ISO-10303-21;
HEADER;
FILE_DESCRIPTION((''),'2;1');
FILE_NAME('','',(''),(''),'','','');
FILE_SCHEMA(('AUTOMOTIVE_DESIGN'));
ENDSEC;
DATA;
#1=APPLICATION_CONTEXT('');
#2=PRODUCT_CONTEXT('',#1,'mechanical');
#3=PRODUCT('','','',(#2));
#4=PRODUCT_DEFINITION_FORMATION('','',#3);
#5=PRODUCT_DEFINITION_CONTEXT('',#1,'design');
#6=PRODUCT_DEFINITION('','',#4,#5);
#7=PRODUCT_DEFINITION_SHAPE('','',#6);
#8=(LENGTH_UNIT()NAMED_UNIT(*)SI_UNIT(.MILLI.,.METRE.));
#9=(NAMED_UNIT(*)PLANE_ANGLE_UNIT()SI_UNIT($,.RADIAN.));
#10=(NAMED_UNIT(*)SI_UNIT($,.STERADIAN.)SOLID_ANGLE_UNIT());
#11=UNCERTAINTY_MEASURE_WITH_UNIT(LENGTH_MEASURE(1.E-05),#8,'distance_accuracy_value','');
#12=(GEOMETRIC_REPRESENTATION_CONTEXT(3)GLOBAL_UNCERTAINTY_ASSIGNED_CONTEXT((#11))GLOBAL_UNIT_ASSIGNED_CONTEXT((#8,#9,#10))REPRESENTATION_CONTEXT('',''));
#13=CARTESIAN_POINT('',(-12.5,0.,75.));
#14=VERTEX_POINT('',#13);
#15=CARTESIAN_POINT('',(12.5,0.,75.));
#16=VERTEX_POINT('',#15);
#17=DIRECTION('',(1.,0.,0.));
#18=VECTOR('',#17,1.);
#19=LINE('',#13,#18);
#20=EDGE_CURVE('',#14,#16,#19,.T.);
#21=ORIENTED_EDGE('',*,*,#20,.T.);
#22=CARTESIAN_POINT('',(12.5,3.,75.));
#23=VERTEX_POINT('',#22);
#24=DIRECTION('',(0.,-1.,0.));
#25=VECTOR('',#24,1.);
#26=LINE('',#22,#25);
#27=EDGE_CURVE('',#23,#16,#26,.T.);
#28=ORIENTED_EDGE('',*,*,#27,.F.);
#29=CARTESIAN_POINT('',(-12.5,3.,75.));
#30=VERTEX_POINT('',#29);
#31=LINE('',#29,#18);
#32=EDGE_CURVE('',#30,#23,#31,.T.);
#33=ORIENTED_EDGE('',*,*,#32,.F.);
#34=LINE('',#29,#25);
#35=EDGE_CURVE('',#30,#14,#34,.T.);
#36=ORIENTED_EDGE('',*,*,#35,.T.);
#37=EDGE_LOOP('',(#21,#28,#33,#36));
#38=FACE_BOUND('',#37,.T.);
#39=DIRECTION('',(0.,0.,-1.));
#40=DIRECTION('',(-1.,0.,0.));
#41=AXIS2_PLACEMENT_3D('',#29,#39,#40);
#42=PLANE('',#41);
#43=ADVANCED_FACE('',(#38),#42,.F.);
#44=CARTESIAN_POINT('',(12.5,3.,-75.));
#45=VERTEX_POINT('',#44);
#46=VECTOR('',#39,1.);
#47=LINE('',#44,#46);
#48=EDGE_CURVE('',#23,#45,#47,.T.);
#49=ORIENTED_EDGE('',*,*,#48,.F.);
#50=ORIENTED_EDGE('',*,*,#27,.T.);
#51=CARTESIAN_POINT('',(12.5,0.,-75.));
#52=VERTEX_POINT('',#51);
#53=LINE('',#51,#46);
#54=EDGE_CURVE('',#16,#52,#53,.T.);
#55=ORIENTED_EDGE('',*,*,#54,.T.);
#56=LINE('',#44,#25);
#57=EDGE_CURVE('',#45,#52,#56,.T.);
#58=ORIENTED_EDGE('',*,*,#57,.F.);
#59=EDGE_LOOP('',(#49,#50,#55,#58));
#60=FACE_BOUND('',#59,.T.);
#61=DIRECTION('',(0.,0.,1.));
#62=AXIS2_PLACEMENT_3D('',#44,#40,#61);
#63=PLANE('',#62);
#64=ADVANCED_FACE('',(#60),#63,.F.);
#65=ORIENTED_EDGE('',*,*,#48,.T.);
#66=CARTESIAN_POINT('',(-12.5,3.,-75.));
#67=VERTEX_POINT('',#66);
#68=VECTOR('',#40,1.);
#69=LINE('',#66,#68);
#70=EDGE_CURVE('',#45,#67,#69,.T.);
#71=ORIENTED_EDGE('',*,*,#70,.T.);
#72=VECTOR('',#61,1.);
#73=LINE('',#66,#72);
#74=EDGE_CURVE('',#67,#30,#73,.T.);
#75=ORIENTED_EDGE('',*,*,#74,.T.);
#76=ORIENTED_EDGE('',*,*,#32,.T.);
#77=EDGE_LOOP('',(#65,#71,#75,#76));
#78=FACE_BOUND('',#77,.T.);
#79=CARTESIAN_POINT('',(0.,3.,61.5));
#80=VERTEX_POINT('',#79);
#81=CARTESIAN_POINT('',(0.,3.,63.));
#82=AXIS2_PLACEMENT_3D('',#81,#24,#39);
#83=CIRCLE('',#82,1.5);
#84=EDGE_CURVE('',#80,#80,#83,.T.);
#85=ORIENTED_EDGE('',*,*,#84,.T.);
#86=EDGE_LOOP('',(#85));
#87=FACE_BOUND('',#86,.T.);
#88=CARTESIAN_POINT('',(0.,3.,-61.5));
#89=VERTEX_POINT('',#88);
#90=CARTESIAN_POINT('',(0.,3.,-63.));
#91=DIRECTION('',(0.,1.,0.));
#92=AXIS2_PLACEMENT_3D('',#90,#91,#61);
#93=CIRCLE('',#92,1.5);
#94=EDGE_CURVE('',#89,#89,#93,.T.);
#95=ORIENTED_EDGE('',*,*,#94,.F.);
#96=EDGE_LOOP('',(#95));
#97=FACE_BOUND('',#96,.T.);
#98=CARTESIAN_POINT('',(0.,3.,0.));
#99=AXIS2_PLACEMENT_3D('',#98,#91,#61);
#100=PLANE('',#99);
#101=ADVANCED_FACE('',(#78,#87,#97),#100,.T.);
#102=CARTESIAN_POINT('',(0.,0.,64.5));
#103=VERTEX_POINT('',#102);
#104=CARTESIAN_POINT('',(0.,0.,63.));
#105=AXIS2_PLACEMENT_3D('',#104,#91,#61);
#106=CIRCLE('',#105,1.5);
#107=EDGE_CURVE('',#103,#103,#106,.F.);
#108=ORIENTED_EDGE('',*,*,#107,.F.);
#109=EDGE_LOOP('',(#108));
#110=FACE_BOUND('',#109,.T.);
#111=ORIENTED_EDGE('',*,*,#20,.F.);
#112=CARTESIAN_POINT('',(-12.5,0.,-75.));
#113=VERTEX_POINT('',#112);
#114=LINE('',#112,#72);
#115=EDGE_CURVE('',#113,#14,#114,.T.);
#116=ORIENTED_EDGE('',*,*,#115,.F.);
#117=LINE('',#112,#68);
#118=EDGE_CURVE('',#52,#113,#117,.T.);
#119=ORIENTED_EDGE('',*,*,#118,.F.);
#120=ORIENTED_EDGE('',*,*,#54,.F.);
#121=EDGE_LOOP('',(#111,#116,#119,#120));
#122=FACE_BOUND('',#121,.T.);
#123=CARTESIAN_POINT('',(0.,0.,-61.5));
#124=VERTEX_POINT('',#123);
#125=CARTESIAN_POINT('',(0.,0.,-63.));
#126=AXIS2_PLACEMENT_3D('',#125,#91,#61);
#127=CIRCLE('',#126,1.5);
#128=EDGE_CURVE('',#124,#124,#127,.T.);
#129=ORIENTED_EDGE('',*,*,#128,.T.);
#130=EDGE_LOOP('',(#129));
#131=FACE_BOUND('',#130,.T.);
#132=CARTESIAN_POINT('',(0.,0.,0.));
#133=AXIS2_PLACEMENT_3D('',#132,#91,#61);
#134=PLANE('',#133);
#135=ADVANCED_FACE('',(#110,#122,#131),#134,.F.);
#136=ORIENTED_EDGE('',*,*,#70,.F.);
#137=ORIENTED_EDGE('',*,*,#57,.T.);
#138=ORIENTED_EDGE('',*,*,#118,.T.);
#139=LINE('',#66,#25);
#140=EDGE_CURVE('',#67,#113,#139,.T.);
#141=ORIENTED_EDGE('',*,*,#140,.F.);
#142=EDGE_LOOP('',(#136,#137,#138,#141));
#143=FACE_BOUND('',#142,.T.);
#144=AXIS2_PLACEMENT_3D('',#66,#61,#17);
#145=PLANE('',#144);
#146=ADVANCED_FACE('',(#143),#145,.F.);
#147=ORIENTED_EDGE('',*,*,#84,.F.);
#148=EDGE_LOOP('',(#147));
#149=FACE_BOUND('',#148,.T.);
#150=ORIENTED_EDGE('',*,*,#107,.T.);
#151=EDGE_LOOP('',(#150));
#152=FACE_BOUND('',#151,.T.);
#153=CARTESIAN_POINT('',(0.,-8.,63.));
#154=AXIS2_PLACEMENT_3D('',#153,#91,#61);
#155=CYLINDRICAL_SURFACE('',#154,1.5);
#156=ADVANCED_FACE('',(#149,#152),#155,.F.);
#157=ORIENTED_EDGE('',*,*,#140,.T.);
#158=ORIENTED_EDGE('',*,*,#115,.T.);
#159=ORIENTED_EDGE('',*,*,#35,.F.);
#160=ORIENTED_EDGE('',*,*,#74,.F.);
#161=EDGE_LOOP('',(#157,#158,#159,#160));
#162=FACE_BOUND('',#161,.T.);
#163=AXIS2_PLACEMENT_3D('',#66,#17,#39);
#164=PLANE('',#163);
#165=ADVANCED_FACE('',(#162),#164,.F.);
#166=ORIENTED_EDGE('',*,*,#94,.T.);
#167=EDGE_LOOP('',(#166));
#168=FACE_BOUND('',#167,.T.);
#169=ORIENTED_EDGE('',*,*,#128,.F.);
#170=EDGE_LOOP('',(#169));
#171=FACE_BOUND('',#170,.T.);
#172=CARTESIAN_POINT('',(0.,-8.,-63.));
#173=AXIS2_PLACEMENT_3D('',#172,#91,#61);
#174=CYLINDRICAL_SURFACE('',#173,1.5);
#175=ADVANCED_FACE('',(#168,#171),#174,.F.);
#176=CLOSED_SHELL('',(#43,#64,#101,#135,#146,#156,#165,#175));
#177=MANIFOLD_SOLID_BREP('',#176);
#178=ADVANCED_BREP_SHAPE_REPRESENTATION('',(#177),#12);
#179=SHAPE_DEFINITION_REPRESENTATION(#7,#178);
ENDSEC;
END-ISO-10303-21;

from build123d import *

# Parameters (mm, degrees)
SKETCH2_W           = 25
SKETCH2_H           = 150
BOSS_EXTRUDE1_DEPTH = 3
SKETCH3_R           = 1.5
CUT_EXTRUDE1_DEPTH  = 11


with BuildPart() as part:
    # Sketch2 → Boss-Extrude1 (new body)
    with BuildSketch(Plane(origin=(0, 0, 0), x_dir=(1, 0, 0), z_dir=(0, 1, 0))):
        Rectangle(SKETCH2_W, SKETCH2_H)
    extrude(amount=BOSS_EXTRUDE1_DEPTH)

    # Sketch3 → Cut-Extrude1 (cut)
    with BuildSketch(Plane(origin=(0, 3, 0), x_dir=(1, 0, 0), z_dir=(0, 1, 0))):
        with Locations(Location((0, 63, 0), (0, 0, 270))):
            Circle(SKETCH3_R)
    cut_extrude1 = extrude(amount=-CUT_EXTRUDE1_DEPTH, mode=Mode.SUBTRACT)

    # Mirror1: Cut-Extrude1 across plane
    add(cut_extrude1.mirror(Plane.XY), mode=Mode.SUBTRACT)


solid = part.part
